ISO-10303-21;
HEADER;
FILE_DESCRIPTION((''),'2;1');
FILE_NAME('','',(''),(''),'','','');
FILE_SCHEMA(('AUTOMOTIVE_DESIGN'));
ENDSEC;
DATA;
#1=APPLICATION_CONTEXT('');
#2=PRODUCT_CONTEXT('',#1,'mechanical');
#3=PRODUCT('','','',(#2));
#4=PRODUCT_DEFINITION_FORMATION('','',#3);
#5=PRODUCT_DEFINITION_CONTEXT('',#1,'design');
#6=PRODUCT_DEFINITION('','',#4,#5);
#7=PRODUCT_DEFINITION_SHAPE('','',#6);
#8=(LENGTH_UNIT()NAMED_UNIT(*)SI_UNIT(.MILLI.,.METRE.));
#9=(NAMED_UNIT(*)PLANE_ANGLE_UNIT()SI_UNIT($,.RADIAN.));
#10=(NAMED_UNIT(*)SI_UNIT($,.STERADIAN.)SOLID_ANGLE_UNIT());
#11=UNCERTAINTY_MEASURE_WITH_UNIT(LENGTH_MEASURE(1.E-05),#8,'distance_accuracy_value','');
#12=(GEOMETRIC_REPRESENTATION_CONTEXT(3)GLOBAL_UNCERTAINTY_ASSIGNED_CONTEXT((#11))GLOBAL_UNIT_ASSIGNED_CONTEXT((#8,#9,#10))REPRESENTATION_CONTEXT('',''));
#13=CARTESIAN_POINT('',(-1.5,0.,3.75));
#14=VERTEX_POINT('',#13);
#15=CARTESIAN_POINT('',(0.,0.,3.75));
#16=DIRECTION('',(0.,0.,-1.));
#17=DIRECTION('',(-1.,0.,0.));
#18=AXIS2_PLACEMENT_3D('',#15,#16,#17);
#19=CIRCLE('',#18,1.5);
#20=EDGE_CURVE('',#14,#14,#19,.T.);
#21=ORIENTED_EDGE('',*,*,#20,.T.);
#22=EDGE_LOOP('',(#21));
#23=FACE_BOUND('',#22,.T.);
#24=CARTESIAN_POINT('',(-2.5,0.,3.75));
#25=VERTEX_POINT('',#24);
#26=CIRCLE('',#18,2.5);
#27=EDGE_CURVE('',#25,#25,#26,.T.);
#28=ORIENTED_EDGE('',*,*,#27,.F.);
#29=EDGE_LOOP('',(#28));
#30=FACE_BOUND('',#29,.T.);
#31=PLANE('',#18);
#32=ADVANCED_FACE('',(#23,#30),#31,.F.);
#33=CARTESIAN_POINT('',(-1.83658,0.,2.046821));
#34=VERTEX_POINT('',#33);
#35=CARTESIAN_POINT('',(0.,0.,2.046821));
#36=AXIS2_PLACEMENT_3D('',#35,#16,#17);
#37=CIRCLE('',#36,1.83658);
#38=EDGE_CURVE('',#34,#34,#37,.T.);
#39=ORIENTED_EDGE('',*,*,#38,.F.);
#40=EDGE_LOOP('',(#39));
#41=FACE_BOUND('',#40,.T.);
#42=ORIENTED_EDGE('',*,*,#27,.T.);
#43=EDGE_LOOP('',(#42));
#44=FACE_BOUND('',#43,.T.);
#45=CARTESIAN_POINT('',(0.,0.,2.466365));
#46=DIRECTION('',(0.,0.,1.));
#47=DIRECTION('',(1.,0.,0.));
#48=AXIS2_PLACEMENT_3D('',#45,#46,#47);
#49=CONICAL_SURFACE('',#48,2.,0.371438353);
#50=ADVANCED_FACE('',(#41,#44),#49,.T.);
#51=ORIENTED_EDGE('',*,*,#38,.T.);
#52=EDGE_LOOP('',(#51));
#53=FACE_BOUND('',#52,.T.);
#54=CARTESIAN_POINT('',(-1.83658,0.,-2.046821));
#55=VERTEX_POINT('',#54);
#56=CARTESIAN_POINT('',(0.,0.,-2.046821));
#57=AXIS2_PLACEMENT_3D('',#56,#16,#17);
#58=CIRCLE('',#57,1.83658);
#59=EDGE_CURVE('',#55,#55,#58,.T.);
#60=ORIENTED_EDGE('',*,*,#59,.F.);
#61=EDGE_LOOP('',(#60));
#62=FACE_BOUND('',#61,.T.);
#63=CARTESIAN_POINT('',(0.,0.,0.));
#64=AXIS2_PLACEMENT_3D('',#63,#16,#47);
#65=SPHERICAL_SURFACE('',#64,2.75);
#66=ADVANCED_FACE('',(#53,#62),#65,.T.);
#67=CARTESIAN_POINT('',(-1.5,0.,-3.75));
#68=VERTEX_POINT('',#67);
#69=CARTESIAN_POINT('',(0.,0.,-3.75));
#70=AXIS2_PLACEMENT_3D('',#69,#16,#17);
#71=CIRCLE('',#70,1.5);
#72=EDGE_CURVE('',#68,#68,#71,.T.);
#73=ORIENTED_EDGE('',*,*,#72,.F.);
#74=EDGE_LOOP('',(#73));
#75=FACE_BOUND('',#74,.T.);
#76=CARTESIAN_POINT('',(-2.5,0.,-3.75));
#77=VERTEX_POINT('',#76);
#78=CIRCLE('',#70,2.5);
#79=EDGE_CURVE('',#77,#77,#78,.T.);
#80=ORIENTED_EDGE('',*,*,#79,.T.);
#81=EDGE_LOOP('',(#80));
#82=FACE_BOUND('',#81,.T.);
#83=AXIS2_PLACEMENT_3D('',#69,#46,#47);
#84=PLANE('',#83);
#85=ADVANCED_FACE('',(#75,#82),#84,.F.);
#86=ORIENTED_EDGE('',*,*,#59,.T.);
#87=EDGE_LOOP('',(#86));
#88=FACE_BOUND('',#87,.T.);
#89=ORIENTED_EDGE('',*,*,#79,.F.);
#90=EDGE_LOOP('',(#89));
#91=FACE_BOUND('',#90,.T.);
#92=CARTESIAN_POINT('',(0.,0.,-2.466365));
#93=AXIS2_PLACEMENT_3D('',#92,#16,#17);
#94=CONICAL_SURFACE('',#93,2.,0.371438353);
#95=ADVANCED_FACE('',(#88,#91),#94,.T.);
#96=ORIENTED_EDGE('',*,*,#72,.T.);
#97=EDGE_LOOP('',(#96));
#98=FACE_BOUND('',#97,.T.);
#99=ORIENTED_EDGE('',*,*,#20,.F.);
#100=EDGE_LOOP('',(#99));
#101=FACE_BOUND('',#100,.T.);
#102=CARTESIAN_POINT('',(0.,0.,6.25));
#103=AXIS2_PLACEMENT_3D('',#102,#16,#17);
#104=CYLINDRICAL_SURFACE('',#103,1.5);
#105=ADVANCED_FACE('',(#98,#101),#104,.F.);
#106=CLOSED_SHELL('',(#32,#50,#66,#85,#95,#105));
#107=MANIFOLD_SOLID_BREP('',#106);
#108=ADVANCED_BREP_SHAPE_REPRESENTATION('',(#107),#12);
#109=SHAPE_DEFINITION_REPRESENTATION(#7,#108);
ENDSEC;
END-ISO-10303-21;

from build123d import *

# Parameters (mm, degrees)
CROQUIS5_R            = 1.5
CORTAR_EXTRUIR3_DEPTH = 10


with BuildPart() as part:
    # Croquis3 → Revolución3 (revolve)
    with BuildSketch(Plane(origin=(0, 0, 0), x_dir=(1, 0, 0), z_dir=(0, 1, 0))):
        with BuildLine():
            Line((0, 3.75), (2.5, 3.75))
            Line((2.5, 3.75), (2, 2.466364983))
            Line((2, 2.466364983), (1.836579632, 2.046820768))
            ThreePointArc((1.836579632, 2.046820768), (2.75, 0), (1.836579632, -2.046820768))
            Line((1.836579632, -2.046820768), (2, -2.466364983))
            Line((2, -2.466364983), (2.5, -3.75))
            Line((2.5, -3.75), (0, -3.75))
            Line((0, -3.75), (0, 3.75))
        make_face()
    revolve(axis=Axis((0, 0, -3.75), (0, 0, 1)))

    # Croquis5 → Cortar-Extruir3 (cut)
    with BuildSketch(Plane(origin=(0, 0, -3.75), x_dir=(-1, 0, 0), z_dir=(0, 0, -1))):
        Circle(CROQUIS5_R)
    extrude(amount=-CORTAR_EXTRUIR3_DEPTH, mode=Mode.SUBTRACT)


solid = part.part
